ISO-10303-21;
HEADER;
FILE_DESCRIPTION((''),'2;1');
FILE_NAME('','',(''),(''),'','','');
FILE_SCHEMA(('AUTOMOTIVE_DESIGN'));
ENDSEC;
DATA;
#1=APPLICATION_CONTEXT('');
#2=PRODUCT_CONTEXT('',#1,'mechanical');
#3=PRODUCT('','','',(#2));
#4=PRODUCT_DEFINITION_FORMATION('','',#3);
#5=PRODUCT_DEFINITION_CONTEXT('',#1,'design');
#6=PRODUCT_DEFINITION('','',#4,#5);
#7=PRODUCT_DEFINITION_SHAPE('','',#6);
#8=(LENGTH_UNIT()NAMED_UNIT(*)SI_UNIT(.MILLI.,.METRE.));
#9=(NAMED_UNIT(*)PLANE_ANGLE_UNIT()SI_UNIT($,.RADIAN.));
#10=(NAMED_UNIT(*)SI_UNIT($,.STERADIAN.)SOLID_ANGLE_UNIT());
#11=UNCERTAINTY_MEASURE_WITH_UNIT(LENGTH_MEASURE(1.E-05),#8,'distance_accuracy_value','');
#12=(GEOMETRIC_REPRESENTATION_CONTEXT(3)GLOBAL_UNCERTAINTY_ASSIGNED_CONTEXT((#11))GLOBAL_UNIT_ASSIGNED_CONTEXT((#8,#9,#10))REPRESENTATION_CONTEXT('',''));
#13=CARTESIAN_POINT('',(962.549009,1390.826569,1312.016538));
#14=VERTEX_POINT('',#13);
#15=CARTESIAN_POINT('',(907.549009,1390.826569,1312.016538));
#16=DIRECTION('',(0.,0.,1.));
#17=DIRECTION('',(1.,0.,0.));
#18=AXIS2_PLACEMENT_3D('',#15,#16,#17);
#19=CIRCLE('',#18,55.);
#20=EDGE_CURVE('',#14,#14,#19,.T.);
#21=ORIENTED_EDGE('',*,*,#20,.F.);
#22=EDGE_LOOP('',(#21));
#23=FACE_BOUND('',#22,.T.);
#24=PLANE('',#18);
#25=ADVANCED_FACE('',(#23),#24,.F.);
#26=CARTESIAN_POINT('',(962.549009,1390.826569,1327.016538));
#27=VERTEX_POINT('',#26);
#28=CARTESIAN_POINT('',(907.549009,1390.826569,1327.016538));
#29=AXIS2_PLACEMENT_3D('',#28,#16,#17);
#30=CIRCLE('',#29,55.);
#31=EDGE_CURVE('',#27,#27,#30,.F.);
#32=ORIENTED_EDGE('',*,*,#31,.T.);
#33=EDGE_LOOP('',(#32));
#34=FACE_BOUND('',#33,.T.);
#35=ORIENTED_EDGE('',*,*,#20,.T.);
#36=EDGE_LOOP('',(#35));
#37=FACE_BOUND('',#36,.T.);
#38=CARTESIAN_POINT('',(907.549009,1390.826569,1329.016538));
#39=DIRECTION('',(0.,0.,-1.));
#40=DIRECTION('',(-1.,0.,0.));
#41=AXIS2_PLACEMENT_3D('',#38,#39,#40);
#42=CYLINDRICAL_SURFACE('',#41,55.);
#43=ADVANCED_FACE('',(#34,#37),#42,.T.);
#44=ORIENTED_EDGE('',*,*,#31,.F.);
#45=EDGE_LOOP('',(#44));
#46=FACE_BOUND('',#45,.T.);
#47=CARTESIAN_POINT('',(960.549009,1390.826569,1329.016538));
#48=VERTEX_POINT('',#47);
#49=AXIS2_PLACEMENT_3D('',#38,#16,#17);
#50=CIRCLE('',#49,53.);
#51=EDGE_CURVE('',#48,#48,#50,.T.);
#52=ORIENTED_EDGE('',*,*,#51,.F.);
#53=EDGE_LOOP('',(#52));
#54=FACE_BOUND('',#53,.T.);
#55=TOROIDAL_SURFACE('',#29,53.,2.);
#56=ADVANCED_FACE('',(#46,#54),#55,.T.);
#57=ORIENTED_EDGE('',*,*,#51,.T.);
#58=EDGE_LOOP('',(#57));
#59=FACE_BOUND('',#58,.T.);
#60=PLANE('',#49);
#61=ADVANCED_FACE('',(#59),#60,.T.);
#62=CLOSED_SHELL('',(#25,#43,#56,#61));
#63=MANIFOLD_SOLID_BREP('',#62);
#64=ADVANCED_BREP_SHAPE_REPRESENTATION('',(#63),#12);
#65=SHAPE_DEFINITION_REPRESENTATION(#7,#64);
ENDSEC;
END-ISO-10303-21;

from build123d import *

# Parameters (mm, degrees)
SKETCH1_R           = 55
BOSS_EXTRUDE1_DEPTH = 17
FILLET1_R           = 2


with BuildPart() as part:
    # Sketch1 → Boss-Extrude1 (new body)
    with BuildSketch(Plane.XY.offset(1312.016538235)):
        with Locations((907.54900926, 1390.826569381)):
            Circle(SKETCH1_R)
    extrude(amount=BOSS_EXTRUDE1_DEPTH)

    # Fillet1
    fillet1_edges = [part.edges().sort_by_distance(p)[0] for p in [
        (852.54900926, 1390.826569381, 1329.016538235),
    ]]
    fillet(fillet1_edges, radius=FILLET1_R)


solid = part.part
